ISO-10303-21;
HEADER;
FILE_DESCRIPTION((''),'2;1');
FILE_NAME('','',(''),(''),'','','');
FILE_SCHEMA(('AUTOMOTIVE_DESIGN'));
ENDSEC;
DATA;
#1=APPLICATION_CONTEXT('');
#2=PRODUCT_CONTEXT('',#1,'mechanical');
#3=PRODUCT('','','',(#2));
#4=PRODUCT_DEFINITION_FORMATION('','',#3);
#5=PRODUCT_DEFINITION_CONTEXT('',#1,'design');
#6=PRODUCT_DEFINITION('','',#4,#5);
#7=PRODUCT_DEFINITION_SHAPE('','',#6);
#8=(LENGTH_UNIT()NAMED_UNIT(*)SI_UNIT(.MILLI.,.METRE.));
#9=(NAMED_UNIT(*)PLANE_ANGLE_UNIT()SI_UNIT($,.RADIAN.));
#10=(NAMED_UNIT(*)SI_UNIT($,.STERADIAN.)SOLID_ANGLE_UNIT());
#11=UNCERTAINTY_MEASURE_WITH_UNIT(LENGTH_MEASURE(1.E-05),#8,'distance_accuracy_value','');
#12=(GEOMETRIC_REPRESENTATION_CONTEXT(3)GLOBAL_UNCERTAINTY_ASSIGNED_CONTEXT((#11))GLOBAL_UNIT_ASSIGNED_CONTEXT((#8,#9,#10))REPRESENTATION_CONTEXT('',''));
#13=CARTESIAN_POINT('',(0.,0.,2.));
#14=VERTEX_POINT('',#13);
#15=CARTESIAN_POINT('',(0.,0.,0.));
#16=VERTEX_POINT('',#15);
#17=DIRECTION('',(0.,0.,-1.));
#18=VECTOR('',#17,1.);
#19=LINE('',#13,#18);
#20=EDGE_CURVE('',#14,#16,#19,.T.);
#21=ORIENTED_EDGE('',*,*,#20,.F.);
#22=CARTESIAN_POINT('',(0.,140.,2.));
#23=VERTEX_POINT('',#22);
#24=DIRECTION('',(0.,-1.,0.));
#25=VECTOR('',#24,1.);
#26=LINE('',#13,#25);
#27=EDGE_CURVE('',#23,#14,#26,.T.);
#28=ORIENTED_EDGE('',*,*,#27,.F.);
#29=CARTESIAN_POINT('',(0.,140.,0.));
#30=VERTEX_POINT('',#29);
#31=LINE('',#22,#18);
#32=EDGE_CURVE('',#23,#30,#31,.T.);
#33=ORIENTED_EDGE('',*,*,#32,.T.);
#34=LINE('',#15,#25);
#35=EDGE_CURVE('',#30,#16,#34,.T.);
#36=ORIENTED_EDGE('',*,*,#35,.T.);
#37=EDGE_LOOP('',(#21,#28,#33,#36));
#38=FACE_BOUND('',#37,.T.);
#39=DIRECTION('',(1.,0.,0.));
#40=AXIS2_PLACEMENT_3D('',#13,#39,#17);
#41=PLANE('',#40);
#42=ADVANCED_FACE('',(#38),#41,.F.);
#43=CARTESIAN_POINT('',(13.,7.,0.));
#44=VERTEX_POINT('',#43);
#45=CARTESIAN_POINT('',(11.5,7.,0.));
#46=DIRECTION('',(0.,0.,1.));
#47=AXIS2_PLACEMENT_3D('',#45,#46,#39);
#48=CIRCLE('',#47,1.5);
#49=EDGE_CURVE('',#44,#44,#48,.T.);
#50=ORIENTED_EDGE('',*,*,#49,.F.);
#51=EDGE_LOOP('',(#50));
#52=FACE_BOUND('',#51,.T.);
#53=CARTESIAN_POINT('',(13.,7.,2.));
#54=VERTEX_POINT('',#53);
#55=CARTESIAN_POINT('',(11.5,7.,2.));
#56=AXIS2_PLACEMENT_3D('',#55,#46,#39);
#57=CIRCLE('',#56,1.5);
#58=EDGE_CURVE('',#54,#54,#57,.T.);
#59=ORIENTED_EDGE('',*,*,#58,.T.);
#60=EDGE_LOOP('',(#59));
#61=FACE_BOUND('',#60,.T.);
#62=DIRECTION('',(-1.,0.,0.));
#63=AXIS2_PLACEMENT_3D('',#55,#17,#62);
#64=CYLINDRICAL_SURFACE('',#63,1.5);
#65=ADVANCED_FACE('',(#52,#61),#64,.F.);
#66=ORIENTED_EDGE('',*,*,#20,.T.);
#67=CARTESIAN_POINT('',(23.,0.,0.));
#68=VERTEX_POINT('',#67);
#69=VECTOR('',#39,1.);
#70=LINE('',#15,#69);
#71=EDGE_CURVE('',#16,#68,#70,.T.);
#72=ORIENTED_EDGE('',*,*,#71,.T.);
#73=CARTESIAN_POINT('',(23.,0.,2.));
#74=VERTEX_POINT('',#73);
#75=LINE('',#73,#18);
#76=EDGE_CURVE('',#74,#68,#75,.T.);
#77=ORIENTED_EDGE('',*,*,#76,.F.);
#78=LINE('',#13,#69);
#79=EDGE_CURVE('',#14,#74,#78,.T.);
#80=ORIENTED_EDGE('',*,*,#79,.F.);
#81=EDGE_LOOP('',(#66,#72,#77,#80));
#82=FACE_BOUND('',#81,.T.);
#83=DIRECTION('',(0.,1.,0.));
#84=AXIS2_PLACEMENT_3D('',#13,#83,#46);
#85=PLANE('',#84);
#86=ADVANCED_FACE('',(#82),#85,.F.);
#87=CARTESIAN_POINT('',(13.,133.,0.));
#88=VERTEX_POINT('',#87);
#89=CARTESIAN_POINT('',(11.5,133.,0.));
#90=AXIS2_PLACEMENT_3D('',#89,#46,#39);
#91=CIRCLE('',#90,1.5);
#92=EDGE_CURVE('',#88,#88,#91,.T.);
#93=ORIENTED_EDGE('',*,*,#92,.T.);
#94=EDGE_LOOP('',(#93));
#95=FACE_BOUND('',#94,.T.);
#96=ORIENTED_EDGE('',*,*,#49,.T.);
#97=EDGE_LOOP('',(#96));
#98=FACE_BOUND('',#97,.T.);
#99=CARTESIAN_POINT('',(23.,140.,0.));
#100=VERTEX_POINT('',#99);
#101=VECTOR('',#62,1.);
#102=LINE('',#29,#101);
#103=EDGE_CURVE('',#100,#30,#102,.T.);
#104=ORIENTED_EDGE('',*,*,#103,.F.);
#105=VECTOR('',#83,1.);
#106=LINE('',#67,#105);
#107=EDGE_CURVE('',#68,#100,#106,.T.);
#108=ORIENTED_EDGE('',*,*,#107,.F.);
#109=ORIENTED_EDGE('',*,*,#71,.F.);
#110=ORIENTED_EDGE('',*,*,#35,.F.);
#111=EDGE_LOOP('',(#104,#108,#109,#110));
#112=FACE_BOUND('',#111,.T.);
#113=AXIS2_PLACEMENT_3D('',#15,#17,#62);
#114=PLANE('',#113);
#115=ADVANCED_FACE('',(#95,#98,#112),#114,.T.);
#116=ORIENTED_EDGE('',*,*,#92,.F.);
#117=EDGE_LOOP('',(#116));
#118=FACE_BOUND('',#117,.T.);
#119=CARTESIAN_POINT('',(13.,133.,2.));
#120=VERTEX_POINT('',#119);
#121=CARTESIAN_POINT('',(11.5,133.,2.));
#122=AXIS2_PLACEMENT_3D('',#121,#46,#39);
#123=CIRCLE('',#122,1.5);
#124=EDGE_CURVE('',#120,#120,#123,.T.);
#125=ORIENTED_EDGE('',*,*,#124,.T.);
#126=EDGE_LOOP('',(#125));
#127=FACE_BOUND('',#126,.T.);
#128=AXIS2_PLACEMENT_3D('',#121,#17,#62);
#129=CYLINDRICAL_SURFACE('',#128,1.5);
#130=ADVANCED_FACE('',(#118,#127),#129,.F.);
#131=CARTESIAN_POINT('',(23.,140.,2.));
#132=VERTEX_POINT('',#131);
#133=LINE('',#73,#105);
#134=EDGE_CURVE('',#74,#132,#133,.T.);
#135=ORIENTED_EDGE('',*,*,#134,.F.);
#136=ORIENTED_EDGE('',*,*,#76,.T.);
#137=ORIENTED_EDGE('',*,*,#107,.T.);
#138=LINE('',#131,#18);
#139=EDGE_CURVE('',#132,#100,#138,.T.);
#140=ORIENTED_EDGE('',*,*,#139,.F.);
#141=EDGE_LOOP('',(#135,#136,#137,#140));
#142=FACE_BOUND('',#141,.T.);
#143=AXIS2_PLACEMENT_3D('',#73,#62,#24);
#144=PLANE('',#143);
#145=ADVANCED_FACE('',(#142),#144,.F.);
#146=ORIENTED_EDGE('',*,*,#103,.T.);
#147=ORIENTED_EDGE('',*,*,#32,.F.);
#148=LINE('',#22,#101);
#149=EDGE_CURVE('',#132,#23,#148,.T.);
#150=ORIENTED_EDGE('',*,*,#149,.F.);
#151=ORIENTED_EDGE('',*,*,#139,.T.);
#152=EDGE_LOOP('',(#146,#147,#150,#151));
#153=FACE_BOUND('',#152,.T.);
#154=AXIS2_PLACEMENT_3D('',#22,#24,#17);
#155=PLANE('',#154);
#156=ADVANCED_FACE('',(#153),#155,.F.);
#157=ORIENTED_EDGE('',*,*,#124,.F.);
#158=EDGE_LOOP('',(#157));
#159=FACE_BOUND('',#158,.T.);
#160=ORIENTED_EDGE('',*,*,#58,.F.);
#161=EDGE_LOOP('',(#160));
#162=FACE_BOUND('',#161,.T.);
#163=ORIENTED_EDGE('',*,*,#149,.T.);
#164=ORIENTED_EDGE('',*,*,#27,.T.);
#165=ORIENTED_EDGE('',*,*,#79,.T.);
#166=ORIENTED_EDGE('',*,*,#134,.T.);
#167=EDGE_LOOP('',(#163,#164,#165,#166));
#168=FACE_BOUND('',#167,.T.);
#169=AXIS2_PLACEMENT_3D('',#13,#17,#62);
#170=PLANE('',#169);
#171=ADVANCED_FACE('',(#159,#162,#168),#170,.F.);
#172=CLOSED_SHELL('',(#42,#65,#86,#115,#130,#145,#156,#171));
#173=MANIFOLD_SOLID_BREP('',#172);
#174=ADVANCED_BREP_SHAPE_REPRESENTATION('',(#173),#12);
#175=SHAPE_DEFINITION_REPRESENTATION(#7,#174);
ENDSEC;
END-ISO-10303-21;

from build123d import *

# Parameters (mm, degrees)
SKETCH2_W           = 23
SKETCH2_H           = 140
SKETCH2_R           = 1.5
BOSS_EXTRUDE1_DEPTH = 2


with BuildPart() as part:
    # Sketch2 → Boss-Extrude1 (new body)
    with BuildSketch(Plane.XY):
        with Locations((11.5, 70)):
            Rectangle(SKETCH2_W, SKETCH2_H)
        with Locations((11.5, 133)):
            Circle(SKETCH2_R, mode=Mode.SUBTRACT)
        with Locations((11.5, 7)):
            Circle(SKETCH2_R, mode=Mode.SUBTRACT)
    extrude(amount=BOSS_EXTRUDE1_DEPTH)


solid = part.part
